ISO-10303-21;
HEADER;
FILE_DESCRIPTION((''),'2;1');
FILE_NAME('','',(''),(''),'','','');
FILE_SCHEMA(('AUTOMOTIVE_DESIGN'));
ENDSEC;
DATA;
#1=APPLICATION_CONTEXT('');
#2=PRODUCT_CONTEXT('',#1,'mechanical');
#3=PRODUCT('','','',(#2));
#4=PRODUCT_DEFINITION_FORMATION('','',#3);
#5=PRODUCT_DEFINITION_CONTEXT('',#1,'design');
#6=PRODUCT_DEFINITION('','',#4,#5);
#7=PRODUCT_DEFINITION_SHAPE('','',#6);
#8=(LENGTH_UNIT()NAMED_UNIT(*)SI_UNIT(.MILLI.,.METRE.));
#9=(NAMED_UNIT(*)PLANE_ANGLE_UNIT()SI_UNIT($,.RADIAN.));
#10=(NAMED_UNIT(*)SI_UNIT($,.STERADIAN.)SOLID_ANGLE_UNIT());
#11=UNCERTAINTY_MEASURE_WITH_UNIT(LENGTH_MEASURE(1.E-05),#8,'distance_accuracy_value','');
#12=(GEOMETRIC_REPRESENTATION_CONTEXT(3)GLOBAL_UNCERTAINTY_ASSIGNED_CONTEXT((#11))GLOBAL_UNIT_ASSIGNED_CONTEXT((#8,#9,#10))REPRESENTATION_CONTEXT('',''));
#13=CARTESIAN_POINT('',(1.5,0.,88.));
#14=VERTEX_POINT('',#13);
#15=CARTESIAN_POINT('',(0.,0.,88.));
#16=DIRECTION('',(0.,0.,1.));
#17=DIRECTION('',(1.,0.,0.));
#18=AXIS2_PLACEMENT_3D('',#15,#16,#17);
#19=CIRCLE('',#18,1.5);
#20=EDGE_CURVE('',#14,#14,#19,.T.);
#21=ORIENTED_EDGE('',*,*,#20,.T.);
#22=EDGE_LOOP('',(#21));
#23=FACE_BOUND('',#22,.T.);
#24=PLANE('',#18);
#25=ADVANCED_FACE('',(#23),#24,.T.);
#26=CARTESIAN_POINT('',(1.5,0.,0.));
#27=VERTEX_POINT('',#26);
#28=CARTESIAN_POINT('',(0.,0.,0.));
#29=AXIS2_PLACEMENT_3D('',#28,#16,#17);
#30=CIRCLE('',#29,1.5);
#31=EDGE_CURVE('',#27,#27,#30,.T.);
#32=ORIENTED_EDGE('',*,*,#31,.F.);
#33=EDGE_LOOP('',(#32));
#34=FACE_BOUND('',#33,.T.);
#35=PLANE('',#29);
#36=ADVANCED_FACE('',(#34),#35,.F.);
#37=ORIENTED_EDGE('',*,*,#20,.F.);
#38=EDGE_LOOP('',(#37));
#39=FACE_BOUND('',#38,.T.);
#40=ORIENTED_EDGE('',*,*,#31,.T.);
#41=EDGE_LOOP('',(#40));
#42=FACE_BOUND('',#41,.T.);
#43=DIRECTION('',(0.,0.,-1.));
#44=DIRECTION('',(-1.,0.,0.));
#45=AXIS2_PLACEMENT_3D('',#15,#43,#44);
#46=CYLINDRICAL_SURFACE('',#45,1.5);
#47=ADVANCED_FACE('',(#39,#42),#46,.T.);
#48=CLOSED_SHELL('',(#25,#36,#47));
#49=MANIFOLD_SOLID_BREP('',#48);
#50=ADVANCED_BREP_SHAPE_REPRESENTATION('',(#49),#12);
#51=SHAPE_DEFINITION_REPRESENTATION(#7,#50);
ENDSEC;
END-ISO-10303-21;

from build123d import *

# Parameters (mm, degrees)
SKETCH_1_R      = 1.5
EXTRUDE_1_DEPTH = 88


with BuildPart() as part:
    # 草圖1 → 填料-伸長1 (new body)
    with BuildSketch(Plane.XY):
        Circle(SKETCH_1_R)
    extrude(amount=EXTRUDE_1_DEPTH)


solid = part.part
